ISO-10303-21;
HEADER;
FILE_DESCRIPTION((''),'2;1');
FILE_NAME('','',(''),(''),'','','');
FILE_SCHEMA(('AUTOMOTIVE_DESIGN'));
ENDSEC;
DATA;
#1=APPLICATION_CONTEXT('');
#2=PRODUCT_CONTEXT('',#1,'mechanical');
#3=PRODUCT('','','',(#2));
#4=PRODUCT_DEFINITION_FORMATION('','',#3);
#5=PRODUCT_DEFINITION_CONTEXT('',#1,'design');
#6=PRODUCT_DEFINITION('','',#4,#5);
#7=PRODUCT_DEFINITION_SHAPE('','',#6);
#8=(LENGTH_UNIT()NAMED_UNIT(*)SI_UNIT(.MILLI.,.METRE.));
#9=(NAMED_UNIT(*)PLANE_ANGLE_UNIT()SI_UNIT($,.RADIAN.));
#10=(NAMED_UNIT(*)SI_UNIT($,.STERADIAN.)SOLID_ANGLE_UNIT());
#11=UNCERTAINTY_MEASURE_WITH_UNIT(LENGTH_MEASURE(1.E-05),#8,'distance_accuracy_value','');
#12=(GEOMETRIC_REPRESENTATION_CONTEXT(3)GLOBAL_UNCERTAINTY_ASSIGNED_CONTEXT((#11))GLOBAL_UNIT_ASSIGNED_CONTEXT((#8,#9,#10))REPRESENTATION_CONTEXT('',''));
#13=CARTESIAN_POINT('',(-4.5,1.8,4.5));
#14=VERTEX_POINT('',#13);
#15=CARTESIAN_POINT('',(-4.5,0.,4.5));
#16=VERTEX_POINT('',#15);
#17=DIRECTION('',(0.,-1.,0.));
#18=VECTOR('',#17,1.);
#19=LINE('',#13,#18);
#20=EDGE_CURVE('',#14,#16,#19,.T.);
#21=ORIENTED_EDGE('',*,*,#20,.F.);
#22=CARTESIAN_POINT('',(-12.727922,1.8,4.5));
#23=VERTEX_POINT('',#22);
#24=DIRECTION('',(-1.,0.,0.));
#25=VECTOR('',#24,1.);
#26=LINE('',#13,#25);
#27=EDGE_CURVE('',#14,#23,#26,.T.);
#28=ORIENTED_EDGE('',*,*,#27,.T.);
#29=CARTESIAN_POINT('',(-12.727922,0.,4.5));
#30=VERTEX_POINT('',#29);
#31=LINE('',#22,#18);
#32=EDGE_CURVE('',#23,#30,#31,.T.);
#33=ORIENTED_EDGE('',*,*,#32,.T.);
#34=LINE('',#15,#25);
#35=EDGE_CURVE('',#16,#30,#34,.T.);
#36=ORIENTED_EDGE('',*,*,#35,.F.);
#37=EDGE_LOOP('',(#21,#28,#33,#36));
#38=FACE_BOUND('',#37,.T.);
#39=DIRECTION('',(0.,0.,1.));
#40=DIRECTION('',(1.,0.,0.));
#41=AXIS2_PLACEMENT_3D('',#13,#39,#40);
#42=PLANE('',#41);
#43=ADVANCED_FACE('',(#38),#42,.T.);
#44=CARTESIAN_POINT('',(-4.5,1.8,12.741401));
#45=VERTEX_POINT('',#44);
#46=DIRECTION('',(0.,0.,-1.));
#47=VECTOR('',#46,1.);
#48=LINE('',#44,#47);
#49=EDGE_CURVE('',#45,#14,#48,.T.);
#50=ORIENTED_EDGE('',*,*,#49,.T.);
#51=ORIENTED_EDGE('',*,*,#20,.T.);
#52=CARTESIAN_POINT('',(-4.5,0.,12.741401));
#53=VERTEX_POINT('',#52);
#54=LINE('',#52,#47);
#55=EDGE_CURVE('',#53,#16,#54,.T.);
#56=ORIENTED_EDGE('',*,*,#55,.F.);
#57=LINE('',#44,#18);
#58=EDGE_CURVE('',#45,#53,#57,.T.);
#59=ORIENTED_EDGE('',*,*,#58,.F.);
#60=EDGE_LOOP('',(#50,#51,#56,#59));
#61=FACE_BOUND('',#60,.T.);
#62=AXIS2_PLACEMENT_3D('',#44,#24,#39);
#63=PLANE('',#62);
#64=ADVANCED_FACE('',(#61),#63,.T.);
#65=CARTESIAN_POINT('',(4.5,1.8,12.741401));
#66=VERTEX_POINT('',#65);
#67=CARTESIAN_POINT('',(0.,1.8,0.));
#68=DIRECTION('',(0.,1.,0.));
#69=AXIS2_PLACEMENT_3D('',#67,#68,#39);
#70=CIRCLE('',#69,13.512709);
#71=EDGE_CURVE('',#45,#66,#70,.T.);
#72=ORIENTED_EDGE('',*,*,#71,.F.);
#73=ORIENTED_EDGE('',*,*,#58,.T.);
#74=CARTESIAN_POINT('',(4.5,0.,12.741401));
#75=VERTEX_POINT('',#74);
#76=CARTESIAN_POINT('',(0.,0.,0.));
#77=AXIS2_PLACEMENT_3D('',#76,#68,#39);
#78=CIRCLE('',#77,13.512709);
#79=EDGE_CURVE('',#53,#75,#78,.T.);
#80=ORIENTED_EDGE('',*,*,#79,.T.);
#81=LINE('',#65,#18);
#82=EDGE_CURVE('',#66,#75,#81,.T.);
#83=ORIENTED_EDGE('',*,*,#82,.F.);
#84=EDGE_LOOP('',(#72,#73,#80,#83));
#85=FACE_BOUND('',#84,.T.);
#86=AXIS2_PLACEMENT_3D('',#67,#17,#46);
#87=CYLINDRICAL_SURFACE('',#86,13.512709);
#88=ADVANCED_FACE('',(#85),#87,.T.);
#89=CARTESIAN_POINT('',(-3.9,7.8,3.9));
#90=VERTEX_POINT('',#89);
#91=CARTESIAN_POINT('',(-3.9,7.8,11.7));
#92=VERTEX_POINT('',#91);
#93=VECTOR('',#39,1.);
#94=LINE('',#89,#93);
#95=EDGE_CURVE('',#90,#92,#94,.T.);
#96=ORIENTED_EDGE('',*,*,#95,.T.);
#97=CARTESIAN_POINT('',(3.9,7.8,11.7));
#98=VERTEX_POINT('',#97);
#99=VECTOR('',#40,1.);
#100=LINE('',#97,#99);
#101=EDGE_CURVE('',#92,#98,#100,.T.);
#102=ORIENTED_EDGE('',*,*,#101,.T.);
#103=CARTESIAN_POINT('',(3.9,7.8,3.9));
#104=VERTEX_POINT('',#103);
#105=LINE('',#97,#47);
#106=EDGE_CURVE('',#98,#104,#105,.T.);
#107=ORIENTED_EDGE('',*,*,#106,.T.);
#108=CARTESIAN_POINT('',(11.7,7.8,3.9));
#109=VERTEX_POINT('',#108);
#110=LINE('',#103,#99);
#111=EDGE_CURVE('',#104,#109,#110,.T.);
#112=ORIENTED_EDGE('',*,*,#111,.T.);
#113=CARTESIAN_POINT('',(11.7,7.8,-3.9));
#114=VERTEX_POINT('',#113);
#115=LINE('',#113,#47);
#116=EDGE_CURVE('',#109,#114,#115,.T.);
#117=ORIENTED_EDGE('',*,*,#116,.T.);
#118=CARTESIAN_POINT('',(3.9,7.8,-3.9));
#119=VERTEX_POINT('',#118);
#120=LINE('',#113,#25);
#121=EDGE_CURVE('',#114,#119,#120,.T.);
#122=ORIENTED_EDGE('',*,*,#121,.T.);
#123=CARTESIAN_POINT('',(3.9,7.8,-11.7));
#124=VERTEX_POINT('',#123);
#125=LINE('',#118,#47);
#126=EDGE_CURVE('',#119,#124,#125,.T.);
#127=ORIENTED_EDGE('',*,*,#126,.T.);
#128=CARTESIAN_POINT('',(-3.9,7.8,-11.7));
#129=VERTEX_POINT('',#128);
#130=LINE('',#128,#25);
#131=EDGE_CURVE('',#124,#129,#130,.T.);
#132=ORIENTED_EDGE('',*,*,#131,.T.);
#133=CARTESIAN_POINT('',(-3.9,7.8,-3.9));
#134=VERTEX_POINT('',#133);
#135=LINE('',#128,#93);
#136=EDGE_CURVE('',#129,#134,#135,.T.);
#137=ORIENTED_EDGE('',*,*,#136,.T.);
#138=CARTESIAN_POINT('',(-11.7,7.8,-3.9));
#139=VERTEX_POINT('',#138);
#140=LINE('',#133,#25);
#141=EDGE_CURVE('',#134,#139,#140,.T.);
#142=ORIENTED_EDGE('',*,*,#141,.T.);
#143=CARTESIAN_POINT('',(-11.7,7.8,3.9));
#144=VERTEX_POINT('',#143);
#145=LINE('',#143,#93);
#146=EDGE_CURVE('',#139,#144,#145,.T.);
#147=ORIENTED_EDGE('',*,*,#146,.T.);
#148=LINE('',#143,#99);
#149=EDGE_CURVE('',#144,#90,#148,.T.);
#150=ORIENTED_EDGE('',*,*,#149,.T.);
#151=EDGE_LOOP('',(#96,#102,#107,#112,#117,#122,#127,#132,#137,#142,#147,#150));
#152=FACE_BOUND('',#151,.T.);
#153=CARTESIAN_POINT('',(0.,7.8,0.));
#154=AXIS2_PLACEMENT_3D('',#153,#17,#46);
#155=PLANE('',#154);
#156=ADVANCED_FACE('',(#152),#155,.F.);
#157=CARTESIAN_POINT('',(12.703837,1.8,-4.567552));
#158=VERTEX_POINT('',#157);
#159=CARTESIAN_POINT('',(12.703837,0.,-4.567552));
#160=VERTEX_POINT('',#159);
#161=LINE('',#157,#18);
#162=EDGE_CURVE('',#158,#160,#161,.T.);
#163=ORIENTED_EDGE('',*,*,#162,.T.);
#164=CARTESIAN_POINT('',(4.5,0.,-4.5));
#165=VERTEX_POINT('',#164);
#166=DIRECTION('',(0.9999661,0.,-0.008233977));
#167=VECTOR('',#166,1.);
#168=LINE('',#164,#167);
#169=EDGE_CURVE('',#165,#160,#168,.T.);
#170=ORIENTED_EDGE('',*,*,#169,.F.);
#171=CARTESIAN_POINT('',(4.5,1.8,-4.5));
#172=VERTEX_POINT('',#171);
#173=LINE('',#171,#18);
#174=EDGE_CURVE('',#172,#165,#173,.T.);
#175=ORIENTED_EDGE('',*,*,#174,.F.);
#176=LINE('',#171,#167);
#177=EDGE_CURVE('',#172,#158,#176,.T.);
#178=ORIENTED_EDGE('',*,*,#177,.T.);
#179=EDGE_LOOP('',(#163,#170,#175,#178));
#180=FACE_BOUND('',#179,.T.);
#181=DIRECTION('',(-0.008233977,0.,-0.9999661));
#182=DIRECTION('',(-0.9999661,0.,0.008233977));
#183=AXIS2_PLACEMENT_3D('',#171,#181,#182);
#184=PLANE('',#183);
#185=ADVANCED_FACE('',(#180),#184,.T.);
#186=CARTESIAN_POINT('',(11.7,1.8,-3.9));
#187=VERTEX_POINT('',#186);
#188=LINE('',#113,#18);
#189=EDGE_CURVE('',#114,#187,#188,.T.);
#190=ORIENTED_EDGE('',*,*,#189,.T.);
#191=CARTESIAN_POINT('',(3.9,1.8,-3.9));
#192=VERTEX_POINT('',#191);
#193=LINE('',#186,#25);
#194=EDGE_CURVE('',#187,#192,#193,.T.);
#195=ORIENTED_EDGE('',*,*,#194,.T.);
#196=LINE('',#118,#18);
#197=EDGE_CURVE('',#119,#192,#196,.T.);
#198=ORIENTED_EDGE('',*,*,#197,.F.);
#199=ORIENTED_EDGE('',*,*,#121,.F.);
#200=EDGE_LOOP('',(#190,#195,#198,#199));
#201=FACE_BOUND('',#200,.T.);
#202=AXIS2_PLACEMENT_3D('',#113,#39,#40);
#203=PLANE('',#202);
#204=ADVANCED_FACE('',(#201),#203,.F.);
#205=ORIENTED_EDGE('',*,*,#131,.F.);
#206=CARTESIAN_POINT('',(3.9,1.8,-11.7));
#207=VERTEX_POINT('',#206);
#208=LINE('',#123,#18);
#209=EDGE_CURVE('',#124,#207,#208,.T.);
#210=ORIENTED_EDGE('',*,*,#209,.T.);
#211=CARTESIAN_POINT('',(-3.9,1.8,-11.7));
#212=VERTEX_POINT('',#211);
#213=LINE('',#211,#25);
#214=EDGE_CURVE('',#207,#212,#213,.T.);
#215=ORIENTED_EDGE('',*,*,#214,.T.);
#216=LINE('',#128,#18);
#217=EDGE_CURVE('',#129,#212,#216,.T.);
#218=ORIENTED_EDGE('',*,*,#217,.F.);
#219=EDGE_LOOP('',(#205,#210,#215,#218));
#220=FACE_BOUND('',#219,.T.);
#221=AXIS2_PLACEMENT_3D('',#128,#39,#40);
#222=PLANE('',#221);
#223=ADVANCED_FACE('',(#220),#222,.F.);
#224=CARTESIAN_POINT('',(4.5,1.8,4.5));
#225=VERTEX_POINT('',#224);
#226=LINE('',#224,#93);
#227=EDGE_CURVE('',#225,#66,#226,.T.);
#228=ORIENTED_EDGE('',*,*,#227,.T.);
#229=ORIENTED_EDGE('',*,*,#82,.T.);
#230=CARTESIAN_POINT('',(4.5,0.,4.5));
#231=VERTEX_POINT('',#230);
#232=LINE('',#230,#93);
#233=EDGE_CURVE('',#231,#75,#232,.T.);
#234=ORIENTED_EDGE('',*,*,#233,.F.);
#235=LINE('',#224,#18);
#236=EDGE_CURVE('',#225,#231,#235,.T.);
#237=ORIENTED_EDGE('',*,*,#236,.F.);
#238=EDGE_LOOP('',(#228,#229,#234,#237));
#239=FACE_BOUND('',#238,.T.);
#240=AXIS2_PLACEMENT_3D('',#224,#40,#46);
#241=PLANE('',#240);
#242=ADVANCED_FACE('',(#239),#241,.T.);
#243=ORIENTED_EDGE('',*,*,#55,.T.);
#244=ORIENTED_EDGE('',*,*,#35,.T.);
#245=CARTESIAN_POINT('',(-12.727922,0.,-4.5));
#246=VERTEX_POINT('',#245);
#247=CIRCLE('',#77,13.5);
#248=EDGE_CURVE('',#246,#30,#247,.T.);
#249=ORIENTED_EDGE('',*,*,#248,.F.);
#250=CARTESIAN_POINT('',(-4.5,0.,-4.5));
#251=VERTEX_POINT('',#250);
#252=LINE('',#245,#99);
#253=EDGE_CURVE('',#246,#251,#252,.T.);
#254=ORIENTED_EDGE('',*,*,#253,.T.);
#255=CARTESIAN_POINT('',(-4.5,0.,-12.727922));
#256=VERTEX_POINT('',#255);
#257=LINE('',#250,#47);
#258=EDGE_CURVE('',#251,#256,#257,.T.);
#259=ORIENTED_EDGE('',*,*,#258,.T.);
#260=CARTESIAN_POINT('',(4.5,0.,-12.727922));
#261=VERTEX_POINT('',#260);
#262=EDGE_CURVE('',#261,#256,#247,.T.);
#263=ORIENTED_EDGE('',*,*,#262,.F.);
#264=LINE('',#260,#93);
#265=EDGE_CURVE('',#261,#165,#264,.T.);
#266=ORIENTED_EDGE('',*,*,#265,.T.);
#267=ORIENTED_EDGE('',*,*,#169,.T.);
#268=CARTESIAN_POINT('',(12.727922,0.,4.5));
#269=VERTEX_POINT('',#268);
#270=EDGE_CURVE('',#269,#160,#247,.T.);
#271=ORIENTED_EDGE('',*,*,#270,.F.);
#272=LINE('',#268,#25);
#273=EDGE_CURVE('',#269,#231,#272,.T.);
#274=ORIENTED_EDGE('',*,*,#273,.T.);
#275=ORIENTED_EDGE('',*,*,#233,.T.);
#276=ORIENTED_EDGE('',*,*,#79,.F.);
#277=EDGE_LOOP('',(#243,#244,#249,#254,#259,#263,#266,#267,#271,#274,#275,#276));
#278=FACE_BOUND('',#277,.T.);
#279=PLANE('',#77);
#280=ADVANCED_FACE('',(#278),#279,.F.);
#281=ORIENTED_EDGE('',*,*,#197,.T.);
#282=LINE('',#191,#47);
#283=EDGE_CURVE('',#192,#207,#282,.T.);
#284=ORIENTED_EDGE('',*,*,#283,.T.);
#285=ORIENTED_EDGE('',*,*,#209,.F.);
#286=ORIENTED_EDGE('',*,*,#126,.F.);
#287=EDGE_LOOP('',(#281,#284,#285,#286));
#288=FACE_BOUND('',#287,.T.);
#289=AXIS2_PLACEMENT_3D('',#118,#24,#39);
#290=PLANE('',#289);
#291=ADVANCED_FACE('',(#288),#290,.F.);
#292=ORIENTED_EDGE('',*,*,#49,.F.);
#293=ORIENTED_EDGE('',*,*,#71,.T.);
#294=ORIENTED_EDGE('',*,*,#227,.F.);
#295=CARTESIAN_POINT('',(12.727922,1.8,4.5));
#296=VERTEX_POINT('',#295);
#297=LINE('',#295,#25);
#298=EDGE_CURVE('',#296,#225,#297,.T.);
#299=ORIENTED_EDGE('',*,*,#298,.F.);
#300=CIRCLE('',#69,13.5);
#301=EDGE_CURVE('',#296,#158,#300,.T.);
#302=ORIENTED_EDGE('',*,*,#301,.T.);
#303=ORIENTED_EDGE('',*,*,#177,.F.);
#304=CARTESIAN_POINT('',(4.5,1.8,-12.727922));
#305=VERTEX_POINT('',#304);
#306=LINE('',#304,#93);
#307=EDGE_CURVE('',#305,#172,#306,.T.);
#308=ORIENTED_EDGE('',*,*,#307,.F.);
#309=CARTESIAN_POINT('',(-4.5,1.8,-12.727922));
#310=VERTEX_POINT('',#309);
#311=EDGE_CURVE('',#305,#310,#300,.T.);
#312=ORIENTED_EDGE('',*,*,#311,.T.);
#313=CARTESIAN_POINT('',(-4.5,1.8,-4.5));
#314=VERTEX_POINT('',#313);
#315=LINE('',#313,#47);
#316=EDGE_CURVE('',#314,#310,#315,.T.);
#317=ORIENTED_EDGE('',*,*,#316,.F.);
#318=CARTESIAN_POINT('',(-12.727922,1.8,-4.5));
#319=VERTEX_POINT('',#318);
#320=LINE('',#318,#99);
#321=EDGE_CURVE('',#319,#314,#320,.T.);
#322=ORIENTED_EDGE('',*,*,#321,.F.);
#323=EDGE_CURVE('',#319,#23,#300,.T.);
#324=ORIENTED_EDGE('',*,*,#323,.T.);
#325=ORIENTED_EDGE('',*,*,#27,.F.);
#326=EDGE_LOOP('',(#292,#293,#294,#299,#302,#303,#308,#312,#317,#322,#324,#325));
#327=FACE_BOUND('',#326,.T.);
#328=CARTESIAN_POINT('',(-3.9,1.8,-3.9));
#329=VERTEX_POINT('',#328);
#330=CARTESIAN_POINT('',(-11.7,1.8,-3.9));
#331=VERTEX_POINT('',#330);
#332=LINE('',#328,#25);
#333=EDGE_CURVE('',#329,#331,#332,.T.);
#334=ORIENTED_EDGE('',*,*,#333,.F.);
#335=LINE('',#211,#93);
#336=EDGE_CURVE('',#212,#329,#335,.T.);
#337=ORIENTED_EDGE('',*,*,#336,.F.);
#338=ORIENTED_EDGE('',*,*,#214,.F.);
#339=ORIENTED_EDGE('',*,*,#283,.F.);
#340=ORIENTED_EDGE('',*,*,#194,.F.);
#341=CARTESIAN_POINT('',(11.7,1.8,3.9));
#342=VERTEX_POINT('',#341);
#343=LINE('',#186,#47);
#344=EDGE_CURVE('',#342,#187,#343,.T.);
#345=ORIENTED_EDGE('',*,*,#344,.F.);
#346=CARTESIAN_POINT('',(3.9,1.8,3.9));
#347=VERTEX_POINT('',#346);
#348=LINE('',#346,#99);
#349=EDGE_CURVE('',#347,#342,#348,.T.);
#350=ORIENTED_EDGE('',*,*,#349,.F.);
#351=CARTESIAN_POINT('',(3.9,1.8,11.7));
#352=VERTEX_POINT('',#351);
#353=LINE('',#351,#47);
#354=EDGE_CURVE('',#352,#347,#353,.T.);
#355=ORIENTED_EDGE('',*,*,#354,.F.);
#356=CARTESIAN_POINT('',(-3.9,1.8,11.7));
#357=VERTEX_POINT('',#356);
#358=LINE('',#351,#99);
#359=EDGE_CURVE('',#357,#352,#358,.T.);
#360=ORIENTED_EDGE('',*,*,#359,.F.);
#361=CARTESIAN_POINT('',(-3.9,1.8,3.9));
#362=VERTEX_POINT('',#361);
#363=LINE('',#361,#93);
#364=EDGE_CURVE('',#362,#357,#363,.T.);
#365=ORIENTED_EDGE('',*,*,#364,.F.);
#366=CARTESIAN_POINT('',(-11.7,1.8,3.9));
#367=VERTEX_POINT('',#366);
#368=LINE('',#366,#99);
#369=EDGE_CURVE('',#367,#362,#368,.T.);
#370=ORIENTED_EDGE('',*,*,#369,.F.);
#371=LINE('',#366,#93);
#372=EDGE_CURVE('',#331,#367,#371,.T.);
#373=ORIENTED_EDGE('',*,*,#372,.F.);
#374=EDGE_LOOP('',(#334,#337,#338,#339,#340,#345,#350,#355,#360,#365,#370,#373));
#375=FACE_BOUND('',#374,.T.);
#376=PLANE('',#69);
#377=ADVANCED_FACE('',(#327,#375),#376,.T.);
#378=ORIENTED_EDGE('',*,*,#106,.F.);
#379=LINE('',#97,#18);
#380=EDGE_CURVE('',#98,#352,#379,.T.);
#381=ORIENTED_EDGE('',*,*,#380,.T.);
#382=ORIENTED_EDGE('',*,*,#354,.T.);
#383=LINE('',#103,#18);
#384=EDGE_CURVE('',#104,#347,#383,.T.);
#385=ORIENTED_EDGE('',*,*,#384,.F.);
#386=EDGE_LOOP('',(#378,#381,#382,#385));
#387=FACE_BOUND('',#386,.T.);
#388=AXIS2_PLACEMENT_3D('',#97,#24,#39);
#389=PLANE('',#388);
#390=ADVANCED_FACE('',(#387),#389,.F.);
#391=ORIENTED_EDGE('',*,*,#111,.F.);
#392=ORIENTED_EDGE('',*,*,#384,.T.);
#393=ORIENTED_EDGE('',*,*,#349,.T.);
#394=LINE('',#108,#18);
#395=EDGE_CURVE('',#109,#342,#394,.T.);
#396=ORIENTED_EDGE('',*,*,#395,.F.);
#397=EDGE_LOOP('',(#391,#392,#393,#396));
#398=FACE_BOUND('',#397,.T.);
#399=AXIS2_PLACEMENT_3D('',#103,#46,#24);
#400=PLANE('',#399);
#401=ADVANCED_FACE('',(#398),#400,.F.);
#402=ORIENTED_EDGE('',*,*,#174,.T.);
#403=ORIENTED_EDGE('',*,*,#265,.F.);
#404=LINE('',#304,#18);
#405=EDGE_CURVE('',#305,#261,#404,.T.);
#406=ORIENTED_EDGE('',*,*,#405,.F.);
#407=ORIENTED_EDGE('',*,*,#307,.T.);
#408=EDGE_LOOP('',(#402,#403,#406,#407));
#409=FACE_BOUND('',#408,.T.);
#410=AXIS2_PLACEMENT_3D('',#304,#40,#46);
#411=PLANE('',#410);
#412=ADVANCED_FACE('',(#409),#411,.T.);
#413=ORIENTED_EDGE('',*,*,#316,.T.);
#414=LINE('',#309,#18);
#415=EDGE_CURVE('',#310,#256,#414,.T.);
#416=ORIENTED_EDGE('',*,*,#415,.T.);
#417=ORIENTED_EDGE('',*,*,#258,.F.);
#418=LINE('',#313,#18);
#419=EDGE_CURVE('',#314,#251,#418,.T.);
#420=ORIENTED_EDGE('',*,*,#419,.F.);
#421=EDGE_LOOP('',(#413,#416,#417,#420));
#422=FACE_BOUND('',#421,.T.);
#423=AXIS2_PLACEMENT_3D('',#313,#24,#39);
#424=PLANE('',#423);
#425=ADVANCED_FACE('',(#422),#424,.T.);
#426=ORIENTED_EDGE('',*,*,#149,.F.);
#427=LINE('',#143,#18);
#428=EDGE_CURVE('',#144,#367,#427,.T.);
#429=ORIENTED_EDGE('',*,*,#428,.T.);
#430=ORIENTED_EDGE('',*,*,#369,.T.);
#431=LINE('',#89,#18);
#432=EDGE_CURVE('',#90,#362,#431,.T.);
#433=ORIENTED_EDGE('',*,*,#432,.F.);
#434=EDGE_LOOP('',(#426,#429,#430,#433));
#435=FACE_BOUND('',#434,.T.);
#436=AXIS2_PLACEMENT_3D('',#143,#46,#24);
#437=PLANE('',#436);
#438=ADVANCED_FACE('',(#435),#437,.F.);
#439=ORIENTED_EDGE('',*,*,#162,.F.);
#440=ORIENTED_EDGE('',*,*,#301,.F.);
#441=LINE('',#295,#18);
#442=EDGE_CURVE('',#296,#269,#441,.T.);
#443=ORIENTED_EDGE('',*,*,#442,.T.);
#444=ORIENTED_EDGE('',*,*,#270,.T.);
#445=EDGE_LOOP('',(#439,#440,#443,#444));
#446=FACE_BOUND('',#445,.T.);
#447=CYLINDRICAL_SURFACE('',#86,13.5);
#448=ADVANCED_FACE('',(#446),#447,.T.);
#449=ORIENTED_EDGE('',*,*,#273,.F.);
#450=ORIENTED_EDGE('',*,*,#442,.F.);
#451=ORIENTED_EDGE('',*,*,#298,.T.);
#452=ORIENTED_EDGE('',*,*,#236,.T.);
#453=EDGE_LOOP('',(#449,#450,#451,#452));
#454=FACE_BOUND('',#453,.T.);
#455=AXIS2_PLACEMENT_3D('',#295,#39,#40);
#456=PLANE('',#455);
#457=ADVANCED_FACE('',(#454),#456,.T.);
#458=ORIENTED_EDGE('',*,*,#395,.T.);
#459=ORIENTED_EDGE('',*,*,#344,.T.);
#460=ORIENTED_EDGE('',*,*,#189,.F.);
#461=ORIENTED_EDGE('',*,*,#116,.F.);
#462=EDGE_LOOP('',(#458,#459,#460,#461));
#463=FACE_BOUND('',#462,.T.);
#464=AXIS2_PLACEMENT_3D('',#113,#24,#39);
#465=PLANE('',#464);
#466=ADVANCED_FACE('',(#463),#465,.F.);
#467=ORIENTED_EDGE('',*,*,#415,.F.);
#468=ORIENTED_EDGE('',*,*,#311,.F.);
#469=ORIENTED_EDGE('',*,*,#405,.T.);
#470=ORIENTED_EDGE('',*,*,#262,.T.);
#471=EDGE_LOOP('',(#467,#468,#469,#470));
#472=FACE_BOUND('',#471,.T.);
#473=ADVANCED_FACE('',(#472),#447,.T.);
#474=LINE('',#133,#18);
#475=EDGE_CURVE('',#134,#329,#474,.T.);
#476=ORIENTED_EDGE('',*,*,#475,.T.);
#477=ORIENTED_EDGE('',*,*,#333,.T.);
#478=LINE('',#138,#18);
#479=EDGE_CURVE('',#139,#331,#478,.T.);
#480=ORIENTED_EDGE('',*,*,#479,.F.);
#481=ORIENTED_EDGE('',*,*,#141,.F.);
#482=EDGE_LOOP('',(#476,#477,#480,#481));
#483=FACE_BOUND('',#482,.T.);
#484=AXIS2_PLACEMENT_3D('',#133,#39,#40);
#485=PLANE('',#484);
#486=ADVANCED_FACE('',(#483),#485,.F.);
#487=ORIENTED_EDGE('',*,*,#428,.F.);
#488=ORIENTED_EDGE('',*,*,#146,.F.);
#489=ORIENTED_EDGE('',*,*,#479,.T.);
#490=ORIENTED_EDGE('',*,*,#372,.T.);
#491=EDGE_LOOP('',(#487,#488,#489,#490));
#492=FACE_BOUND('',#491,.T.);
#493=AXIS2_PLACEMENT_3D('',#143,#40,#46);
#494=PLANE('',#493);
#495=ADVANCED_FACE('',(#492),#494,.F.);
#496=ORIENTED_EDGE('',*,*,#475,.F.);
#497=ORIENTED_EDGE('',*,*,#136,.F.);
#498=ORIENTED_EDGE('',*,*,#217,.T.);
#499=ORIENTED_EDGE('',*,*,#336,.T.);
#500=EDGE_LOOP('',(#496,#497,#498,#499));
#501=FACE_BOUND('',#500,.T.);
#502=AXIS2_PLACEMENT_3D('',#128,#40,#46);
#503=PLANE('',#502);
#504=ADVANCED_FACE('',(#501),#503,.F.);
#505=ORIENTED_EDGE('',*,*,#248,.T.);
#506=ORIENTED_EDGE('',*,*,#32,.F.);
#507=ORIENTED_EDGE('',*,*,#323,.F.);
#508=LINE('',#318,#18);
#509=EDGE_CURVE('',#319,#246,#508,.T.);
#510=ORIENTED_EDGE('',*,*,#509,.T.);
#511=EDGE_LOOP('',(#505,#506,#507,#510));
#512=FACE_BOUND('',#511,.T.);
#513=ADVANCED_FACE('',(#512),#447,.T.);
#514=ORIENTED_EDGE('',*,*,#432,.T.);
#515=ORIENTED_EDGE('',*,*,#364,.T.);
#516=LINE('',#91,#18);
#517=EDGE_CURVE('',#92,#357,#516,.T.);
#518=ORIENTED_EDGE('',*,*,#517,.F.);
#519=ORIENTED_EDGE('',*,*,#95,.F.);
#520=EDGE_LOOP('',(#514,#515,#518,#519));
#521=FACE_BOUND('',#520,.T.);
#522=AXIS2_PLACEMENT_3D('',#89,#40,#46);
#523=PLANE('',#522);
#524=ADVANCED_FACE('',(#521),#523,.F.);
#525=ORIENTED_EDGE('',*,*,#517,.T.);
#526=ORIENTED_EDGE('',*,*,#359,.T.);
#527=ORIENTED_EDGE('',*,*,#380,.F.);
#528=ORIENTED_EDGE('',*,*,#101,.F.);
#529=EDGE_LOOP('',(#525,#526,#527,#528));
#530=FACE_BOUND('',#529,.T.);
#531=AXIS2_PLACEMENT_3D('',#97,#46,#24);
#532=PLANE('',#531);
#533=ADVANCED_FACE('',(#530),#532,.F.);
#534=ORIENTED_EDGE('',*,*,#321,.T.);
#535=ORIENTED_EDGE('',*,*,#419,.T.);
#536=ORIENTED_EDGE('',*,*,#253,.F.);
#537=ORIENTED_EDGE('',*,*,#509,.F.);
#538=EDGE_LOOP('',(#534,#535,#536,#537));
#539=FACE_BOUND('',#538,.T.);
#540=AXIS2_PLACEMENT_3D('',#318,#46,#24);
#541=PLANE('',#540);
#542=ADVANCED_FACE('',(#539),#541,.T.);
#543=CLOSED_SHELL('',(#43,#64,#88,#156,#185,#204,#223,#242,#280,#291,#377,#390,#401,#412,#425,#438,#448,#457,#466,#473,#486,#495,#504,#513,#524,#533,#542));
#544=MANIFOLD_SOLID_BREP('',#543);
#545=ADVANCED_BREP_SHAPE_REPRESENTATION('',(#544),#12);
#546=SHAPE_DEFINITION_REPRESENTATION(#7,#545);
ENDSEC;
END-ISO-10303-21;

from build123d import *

# Parameters (mm, degrees)
EXTRUDE_2_DEPTH = 1.8
EXTRUDE_3_DEPTH = 6


with BuildPart() as part:
    # 草图3 → 凸台-拉伸2 (new body)
    with BuildSketch(Plane(origin=(0, 0, 0), x_dir=(1, 0, 0), z_dir=(0, 1, 0))):
        with BuildLine():
            Line((-12.727922061, 4.5), (-4.5, 4.5))
            Line((-4.5, 4.5), (-4.5, 12.727922061))
            ThreePointArc((-4.5, 12.727922061), (0, 13.5), (4.5, 12.727922061))
            Line((4.5, 12.727922061), (4.5, 4.5))
            Line((4.5, 4.5), (12.703836594, 4.567552496))
            ThreePointArc((12.703836594, 4.567552496), (13.499952375, 0.035858923), (12.727922061, -4.5))
            Line((12.727922061, -4.5), (4.5, -4.5))
            Line((4.5, -4.5), (4.5, -12.741400862))
            ThreePointArc((4.5, -12.741400862), (0, -13.512708682), (-4.5, -12.741400862))
            Line((-4.5, -12.741400862), (-4.5, -4.5))
            Line((-4.5, -4.5), (-12.727922061, -4.5))
            ThreePointArc((-12.727922061, -4.5), (-13.5, 0), (-12.727922061, 4.5))
        make_face()
    extrude(amount=EXTRUDE_2_DEPTH)

    # 草图4 → 凸台-拉伸3 (add)
    with BuildSketch(Plane(origin=(0, 1.8, 0), x_dir=(1, 0, 0), z_dir=(0, 1, 0))):
        Polygon((3.9, -11.7), (-3.9, -11.7), (-3.9, -3.9), (-11.7, -3.9), (-11.7, 3.9), (-3.9, 3.9), (-3.9, 11.7), (3.9, 11.7), (3.9, 3.9), (11.7, 3.9), (11.7, -3.9), (3.9, -3.9), align=None)
    extrude(amount=EXTRUDE_3_DEPTH)


solid = part.part
